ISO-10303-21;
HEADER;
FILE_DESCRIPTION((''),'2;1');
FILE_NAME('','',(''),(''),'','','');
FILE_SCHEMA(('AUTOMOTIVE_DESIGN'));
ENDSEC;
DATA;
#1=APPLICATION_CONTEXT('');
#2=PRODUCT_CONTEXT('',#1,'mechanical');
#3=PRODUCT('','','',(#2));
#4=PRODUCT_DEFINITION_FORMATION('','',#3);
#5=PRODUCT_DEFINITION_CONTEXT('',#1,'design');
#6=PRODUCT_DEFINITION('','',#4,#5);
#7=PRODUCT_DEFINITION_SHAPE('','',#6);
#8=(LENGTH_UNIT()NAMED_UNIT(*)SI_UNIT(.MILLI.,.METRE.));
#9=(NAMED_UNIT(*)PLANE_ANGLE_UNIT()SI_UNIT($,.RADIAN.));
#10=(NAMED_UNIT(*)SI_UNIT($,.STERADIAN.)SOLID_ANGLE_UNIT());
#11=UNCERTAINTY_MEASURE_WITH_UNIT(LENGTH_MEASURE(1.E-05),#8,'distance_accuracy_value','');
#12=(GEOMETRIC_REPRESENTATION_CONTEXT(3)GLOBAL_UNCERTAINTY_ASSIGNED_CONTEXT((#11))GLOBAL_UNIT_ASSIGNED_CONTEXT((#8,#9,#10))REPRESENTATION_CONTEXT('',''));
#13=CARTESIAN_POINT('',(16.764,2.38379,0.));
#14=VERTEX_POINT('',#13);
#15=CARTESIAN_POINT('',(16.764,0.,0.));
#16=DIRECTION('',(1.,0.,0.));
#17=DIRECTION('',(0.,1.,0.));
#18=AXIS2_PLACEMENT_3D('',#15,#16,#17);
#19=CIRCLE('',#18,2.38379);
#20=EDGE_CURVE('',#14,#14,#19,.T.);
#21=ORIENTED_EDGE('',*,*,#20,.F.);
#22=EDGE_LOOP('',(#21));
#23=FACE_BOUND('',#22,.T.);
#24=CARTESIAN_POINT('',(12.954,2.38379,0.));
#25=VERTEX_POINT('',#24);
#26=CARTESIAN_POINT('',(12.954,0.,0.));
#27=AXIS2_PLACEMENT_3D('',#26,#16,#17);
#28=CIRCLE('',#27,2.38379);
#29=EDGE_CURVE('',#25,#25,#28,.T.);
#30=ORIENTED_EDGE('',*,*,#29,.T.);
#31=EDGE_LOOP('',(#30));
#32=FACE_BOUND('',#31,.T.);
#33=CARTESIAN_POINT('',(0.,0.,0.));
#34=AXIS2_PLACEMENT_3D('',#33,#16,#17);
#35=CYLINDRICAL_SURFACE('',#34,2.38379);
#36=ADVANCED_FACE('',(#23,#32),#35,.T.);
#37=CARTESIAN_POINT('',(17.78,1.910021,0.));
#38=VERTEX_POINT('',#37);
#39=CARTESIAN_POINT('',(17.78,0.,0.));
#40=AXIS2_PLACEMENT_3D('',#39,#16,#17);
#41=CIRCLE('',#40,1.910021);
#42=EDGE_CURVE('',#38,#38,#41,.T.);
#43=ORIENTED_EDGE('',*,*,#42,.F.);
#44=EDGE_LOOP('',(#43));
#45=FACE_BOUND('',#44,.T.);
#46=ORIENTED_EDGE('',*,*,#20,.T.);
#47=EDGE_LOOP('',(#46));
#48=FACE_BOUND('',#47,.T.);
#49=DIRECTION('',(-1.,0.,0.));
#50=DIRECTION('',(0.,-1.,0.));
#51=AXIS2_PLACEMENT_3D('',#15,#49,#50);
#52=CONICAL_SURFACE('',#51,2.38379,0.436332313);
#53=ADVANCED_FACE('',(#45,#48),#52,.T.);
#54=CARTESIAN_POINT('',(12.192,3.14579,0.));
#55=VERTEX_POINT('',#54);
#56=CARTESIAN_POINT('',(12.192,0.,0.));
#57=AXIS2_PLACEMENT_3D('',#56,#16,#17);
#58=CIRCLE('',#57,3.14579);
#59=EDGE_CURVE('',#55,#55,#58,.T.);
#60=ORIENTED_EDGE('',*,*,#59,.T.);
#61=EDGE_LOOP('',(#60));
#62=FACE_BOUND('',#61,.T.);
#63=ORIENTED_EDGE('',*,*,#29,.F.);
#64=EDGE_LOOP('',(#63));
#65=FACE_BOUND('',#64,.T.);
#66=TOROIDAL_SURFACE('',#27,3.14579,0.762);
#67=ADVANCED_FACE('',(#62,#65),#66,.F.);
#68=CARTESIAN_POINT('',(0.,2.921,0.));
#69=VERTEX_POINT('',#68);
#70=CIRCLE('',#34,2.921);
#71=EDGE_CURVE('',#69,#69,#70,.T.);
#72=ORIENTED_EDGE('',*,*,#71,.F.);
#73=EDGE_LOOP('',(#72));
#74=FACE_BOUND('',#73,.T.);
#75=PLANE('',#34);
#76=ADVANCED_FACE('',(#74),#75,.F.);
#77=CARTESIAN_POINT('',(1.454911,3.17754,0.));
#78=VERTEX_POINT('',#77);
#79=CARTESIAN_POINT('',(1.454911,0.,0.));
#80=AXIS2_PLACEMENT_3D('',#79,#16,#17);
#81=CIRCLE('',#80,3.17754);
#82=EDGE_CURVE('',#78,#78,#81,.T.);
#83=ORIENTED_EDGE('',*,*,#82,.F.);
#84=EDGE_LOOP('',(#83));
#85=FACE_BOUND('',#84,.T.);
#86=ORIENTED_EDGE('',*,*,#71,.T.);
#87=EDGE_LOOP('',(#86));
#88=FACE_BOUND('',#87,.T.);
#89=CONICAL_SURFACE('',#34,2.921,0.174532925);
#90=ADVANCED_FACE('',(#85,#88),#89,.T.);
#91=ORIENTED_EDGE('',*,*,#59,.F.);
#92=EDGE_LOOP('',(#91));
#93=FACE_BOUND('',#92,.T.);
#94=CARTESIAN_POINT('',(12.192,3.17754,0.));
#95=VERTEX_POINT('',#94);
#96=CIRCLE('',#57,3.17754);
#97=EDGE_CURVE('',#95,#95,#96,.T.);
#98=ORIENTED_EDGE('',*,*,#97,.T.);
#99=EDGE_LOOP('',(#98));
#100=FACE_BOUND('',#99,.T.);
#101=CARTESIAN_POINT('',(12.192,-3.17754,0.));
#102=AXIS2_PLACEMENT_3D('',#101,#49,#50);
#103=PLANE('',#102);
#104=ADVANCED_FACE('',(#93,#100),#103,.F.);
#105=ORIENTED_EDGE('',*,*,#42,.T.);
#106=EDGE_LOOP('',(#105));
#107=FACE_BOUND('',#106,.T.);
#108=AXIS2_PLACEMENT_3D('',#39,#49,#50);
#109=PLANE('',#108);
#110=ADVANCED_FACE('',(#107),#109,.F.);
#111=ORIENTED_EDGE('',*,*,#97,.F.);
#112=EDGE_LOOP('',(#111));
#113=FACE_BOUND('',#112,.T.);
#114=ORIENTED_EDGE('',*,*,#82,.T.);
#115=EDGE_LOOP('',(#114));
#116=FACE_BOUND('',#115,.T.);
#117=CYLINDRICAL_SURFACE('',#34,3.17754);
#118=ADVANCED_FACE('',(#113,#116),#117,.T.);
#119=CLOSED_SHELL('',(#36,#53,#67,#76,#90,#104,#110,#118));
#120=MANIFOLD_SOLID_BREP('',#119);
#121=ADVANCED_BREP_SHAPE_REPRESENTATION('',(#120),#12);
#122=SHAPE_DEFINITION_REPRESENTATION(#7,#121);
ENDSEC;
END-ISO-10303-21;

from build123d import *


with BuildPart() as part:
    # Sketch1 → Revolve1 (revolve)
    with BuildSketch(Plane.XY, mode=Mode.PRIVATE) as revolve1_sk:
        with BuildLine():
            Line((12.192, -3.17754), (12.192, -3.14579))
            ThreePointArc((12.192, -3.14579), (12.415184633, -2.606974633), (12.954, -2.38379))
            Line((12.954, -2.38379), (16.764, -2.38379))
            Line((16.764, -2.38379), (17.78, -1.910021419))
            Line((17.78, -1.910021419), (17.78, 0))
            Line((17.78, 0), (8.89, 0))
            Line((8.89, 0), (0, 0))
            Line((0, 0), (0, -2.921))
            Line((0, -2.921), (1.454910638, -3.17754))
            Line((1.454910638, -3.17754), (12.192, -3.17754))
        make_face()
    revolve(revolve1_sk.sketch.rotate(Axis((0, 0, 0), (-1, 0, 0)), 180), axis=Axis((0, 0, 0), (-1, 0, 0)))  # turned: the seam where the file's is


solid = part.part
